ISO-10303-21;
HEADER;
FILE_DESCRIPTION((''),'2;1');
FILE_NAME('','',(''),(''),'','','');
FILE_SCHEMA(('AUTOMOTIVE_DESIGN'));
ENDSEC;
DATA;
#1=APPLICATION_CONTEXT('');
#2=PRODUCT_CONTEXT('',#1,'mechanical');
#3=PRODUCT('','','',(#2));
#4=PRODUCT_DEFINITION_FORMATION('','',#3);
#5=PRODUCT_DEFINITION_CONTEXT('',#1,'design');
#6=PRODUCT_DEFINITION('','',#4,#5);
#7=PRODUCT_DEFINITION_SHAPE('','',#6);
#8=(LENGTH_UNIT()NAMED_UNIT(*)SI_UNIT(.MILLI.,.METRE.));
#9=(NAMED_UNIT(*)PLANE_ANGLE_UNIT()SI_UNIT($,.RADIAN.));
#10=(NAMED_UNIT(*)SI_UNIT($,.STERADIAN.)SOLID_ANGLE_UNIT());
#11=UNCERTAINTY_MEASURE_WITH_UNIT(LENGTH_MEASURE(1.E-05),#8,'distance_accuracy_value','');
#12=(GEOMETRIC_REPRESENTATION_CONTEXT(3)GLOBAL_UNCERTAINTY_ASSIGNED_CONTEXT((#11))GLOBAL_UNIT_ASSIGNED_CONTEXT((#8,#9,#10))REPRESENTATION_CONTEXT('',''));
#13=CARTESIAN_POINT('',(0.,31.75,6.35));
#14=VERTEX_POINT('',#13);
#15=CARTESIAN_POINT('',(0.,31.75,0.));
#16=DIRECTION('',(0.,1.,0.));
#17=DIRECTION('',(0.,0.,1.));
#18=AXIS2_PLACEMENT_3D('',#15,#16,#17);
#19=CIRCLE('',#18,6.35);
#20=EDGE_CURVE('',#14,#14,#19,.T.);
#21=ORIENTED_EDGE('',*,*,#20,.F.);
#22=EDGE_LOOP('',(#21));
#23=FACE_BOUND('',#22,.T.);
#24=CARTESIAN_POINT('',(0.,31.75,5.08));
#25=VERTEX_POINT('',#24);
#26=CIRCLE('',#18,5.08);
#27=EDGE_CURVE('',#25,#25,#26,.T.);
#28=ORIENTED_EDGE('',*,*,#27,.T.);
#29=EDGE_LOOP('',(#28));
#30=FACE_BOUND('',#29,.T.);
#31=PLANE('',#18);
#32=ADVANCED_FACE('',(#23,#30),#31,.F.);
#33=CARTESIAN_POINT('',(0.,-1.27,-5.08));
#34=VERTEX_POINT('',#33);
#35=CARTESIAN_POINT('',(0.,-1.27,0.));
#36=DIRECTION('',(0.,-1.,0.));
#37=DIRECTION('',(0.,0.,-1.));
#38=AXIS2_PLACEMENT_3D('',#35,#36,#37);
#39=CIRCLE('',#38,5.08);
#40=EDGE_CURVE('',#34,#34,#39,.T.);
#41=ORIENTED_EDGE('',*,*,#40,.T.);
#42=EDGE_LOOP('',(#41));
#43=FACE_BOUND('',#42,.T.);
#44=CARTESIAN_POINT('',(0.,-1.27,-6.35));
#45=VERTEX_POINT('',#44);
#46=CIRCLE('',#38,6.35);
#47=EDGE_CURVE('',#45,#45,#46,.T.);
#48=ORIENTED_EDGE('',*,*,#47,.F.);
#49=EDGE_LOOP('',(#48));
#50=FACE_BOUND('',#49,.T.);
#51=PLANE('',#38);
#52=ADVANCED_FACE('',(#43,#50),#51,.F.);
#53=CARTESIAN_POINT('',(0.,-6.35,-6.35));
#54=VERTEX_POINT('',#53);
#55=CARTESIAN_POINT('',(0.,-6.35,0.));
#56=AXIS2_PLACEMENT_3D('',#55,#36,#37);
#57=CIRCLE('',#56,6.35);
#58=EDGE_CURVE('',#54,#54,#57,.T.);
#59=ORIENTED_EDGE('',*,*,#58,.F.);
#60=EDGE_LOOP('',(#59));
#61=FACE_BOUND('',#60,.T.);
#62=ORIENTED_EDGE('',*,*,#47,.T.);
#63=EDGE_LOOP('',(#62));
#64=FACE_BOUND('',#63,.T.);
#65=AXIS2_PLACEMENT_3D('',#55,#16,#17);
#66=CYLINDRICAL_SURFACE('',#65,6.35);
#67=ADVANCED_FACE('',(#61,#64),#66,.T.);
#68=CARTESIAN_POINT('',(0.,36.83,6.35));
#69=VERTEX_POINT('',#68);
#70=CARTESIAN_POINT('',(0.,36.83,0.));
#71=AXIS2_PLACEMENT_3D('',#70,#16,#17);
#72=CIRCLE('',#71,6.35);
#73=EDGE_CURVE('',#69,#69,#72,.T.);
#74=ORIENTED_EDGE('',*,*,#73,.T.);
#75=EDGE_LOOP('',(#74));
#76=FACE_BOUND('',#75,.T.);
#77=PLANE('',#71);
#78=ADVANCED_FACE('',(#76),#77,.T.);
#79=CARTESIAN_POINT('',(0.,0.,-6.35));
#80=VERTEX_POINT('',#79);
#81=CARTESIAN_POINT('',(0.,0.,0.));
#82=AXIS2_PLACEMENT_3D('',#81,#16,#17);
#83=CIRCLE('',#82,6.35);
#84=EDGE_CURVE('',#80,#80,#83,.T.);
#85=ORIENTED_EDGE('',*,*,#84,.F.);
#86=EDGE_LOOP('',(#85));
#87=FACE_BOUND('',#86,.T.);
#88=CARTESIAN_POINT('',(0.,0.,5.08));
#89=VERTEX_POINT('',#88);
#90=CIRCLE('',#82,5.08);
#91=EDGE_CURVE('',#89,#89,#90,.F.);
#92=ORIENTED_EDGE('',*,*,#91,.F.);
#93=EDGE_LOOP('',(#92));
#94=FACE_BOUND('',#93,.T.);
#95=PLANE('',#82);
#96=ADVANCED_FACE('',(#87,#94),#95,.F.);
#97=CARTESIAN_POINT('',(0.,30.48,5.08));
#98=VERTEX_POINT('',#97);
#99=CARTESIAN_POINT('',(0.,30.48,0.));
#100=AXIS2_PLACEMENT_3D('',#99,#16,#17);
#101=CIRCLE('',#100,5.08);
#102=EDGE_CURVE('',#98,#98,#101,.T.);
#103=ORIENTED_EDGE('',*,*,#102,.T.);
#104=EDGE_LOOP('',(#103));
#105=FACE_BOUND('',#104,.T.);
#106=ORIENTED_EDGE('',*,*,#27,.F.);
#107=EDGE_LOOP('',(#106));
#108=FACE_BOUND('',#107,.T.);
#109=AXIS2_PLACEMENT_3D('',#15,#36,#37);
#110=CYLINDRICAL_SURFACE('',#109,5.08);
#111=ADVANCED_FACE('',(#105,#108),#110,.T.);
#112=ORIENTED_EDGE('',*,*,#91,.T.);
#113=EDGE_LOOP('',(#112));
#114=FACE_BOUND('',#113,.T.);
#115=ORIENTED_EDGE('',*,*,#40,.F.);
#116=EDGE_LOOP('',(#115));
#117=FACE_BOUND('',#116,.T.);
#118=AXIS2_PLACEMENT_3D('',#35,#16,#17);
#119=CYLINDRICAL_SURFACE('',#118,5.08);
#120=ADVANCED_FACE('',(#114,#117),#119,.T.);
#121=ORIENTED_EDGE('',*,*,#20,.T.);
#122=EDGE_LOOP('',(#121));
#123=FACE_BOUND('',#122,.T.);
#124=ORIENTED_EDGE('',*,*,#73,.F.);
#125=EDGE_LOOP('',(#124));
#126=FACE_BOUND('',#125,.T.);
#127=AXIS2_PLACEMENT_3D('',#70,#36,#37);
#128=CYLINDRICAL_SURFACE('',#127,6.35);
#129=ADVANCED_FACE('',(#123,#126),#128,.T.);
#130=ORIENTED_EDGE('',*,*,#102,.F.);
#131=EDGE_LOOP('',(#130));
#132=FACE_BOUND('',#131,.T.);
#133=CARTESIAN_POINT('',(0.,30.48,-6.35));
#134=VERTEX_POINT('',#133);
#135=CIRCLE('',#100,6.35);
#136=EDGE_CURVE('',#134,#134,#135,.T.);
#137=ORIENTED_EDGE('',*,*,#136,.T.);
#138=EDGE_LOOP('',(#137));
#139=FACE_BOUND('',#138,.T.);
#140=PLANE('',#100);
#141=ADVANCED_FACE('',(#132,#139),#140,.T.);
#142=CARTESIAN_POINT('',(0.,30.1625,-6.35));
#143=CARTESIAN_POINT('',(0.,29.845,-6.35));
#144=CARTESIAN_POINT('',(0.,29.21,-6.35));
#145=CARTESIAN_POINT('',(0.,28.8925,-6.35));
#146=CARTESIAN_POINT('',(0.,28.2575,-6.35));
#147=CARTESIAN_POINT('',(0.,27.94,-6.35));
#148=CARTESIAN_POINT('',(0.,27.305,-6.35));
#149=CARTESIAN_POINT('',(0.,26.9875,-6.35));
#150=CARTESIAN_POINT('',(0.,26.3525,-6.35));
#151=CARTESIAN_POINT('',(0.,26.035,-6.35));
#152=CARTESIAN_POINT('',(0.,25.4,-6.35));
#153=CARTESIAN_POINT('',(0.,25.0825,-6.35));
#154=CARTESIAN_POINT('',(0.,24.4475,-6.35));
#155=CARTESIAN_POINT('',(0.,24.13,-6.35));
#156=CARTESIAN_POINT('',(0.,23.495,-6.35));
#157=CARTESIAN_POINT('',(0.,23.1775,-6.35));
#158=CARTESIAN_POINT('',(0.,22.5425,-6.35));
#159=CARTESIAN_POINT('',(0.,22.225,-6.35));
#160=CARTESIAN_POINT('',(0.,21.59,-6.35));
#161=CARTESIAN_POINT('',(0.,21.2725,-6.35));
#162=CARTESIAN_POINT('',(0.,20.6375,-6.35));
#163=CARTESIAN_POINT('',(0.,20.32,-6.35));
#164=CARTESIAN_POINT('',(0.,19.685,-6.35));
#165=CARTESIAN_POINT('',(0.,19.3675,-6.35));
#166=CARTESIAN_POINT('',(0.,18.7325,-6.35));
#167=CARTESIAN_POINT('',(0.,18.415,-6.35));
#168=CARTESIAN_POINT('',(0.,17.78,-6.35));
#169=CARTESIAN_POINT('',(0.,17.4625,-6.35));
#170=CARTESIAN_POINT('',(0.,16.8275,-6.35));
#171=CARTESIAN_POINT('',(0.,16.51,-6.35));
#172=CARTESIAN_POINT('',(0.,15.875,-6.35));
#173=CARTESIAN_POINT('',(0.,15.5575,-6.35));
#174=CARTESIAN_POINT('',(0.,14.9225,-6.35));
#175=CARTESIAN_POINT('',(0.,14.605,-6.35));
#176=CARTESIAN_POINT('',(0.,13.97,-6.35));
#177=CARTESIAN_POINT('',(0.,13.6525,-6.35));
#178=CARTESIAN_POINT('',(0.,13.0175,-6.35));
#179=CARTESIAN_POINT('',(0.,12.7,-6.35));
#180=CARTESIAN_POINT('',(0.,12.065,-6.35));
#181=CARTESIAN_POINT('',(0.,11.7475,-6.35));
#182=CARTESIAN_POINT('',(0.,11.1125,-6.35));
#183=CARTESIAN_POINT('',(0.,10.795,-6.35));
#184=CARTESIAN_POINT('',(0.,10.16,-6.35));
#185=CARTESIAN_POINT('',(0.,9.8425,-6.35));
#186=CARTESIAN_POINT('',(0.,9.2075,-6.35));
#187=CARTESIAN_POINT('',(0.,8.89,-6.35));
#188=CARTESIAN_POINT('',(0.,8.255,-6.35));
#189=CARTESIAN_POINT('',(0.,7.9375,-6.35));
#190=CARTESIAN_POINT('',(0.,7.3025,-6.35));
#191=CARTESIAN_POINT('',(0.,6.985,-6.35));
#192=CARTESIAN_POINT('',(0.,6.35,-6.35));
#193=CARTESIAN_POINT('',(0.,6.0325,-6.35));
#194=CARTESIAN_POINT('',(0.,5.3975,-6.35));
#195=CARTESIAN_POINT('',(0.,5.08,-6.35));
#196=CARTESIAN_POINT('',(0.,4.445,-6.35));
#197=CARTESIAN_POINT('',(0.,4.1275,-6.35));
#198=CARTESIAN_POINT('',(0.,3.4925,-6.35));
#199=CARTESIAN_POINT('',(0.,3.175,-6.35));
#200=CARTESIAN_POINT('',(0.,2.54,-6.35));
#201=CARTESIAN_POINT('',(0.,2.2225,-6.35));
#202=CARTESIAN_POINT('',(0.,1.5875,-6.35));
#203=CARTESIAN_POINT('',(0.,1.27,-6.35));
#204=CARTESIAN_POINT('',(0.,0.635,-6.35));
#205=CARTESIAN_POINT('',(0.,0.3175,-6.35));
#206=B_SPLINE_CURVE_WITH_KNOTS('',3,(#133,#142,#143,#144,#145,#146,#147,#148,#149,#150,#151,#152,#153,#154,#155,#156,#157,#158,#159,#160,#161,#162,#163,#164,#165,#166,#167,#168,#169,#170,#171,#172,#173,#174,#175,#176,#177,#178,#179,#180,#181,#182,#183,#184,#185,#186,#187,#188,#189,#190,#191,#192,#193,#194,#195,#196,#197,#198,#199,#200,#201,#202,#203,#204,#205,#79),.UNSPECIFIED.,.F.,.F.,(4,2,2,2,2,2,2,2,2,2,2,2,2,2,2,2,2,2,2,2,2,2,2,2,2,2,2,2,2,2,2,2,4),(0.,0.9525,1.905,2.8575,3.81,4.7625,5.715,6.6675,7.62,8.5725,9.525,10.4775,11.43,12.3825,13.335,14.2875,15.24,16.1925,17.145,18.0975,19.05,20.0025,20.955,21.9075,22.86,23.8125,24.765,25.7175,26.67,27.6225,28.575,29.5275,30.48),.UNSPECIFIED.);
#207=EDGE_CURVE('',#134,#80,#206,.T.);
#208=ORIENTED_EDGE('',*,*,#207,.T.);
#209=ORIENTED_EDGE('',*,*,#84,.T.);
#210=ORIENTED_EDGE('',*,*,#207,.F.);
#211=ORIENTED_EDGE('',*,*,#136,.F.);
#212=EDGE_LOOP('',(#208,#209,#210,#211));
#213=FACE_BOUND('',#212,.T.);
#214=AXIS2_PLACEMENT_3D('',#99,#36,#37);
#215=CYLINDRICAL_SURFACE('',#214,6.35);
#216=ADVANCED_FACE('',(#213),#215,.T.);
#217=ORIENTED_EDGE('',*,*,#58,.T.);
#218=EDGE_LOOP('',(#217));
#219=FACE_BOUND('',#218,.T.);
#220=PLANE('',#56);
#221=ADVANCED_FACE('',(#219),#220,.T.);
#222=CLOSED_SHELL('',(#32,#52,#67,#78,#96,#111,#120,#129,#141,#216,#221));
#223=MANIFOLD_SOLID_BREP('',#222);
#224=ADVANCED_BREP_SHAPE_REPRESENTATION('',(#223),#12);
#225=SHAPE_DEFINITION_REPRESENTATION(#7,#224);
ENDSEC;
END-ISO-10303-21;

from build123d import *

# Parameters (mm, degrees)
SKETCH1_R           = 6.35
BOSS_EXTRUDE2_DEPTH = 30.48
SKETCH4_R           = 5.08
BOSS_EXTRUDE3_DEPTH = 1.27
SKETCH5_R           = 6.35
BOSS_EXTRUDE4_DEPTH = 5.08
BOSS_EXTRUDE5_START = 1.27
SKETCH6_R           = 5.08
BOSS_EXTRUDE5_DEPTH = 1.27
BOSS_EXTRUDE6_START = 5.08
SKETCH7_R           = 6.35
BOSS_EXTRUDE6_DEPTH = 5.08


with BuildPart() as part:
    # Sketch1 → Boss-Extrude2 (new body)
    with BuildSketch(Plane(origin=(0, 0, 0), x_dir=(1, 0, 0), z_dir=(0, 1, 0))):
        with Locations(Location((0, 0, 0), (0, 0, 90))):
            Circle(SKETCH1_R)
    extrude(amount=BOSS_EXTRUDE2_DEPTH)

    # Sketch4 → Boss-Extrude3 (add)
    with BuildSketch(Plane(origin=(0, 30.48, 0), x_dir=(1, 0, 0), z_dir=(0, 1, 0))):
        with Locations(Location((0, 0, 0), (0, 0, 270))):
            Circle(SKETCH4_R)
    extrude(amount=BOSS_EXTRUDE3_DEPTH)

    # Sketch5 → Boss-Extrude4 (add)
    with BuildSketch(Plane(origin=(0, 31.75, 0), x_dir=(1, 0, 0), z_dir=(0, 1, 0))):
        with Locations(Location((0, 0, 0), (0, 0, 90))):
            Circle(SKETCH5_R)
    extrude(amount=BOSS_EXTRUDE4_DEPTH)

    # Sketch6 → Boss-Extrude5 (add)
    with BuildSketch(Plane.XZ.offset(BOSS_EXTRUDE5_START)):
        with Locations(Location((0, 0, 0), (0, 0, 90))):
            Circle(SKETCH6_R)
    extrude(amount=-BOSS_EXTRUDE5_DEPTH)

    # Sketch7 → Boss-Extrude6 (add)
    with BuildSketch(Plane.XZ.offset(1.27).offset(BOSS_EXTRUDE6_START)):
        with Locations(Location((0, 0, 0), (0, 0, 270))):
            Circle(SKETCH7_R)
    extrude(amount=-BOSS_EXTRUDE6_DEPTH)


solid = part.part
